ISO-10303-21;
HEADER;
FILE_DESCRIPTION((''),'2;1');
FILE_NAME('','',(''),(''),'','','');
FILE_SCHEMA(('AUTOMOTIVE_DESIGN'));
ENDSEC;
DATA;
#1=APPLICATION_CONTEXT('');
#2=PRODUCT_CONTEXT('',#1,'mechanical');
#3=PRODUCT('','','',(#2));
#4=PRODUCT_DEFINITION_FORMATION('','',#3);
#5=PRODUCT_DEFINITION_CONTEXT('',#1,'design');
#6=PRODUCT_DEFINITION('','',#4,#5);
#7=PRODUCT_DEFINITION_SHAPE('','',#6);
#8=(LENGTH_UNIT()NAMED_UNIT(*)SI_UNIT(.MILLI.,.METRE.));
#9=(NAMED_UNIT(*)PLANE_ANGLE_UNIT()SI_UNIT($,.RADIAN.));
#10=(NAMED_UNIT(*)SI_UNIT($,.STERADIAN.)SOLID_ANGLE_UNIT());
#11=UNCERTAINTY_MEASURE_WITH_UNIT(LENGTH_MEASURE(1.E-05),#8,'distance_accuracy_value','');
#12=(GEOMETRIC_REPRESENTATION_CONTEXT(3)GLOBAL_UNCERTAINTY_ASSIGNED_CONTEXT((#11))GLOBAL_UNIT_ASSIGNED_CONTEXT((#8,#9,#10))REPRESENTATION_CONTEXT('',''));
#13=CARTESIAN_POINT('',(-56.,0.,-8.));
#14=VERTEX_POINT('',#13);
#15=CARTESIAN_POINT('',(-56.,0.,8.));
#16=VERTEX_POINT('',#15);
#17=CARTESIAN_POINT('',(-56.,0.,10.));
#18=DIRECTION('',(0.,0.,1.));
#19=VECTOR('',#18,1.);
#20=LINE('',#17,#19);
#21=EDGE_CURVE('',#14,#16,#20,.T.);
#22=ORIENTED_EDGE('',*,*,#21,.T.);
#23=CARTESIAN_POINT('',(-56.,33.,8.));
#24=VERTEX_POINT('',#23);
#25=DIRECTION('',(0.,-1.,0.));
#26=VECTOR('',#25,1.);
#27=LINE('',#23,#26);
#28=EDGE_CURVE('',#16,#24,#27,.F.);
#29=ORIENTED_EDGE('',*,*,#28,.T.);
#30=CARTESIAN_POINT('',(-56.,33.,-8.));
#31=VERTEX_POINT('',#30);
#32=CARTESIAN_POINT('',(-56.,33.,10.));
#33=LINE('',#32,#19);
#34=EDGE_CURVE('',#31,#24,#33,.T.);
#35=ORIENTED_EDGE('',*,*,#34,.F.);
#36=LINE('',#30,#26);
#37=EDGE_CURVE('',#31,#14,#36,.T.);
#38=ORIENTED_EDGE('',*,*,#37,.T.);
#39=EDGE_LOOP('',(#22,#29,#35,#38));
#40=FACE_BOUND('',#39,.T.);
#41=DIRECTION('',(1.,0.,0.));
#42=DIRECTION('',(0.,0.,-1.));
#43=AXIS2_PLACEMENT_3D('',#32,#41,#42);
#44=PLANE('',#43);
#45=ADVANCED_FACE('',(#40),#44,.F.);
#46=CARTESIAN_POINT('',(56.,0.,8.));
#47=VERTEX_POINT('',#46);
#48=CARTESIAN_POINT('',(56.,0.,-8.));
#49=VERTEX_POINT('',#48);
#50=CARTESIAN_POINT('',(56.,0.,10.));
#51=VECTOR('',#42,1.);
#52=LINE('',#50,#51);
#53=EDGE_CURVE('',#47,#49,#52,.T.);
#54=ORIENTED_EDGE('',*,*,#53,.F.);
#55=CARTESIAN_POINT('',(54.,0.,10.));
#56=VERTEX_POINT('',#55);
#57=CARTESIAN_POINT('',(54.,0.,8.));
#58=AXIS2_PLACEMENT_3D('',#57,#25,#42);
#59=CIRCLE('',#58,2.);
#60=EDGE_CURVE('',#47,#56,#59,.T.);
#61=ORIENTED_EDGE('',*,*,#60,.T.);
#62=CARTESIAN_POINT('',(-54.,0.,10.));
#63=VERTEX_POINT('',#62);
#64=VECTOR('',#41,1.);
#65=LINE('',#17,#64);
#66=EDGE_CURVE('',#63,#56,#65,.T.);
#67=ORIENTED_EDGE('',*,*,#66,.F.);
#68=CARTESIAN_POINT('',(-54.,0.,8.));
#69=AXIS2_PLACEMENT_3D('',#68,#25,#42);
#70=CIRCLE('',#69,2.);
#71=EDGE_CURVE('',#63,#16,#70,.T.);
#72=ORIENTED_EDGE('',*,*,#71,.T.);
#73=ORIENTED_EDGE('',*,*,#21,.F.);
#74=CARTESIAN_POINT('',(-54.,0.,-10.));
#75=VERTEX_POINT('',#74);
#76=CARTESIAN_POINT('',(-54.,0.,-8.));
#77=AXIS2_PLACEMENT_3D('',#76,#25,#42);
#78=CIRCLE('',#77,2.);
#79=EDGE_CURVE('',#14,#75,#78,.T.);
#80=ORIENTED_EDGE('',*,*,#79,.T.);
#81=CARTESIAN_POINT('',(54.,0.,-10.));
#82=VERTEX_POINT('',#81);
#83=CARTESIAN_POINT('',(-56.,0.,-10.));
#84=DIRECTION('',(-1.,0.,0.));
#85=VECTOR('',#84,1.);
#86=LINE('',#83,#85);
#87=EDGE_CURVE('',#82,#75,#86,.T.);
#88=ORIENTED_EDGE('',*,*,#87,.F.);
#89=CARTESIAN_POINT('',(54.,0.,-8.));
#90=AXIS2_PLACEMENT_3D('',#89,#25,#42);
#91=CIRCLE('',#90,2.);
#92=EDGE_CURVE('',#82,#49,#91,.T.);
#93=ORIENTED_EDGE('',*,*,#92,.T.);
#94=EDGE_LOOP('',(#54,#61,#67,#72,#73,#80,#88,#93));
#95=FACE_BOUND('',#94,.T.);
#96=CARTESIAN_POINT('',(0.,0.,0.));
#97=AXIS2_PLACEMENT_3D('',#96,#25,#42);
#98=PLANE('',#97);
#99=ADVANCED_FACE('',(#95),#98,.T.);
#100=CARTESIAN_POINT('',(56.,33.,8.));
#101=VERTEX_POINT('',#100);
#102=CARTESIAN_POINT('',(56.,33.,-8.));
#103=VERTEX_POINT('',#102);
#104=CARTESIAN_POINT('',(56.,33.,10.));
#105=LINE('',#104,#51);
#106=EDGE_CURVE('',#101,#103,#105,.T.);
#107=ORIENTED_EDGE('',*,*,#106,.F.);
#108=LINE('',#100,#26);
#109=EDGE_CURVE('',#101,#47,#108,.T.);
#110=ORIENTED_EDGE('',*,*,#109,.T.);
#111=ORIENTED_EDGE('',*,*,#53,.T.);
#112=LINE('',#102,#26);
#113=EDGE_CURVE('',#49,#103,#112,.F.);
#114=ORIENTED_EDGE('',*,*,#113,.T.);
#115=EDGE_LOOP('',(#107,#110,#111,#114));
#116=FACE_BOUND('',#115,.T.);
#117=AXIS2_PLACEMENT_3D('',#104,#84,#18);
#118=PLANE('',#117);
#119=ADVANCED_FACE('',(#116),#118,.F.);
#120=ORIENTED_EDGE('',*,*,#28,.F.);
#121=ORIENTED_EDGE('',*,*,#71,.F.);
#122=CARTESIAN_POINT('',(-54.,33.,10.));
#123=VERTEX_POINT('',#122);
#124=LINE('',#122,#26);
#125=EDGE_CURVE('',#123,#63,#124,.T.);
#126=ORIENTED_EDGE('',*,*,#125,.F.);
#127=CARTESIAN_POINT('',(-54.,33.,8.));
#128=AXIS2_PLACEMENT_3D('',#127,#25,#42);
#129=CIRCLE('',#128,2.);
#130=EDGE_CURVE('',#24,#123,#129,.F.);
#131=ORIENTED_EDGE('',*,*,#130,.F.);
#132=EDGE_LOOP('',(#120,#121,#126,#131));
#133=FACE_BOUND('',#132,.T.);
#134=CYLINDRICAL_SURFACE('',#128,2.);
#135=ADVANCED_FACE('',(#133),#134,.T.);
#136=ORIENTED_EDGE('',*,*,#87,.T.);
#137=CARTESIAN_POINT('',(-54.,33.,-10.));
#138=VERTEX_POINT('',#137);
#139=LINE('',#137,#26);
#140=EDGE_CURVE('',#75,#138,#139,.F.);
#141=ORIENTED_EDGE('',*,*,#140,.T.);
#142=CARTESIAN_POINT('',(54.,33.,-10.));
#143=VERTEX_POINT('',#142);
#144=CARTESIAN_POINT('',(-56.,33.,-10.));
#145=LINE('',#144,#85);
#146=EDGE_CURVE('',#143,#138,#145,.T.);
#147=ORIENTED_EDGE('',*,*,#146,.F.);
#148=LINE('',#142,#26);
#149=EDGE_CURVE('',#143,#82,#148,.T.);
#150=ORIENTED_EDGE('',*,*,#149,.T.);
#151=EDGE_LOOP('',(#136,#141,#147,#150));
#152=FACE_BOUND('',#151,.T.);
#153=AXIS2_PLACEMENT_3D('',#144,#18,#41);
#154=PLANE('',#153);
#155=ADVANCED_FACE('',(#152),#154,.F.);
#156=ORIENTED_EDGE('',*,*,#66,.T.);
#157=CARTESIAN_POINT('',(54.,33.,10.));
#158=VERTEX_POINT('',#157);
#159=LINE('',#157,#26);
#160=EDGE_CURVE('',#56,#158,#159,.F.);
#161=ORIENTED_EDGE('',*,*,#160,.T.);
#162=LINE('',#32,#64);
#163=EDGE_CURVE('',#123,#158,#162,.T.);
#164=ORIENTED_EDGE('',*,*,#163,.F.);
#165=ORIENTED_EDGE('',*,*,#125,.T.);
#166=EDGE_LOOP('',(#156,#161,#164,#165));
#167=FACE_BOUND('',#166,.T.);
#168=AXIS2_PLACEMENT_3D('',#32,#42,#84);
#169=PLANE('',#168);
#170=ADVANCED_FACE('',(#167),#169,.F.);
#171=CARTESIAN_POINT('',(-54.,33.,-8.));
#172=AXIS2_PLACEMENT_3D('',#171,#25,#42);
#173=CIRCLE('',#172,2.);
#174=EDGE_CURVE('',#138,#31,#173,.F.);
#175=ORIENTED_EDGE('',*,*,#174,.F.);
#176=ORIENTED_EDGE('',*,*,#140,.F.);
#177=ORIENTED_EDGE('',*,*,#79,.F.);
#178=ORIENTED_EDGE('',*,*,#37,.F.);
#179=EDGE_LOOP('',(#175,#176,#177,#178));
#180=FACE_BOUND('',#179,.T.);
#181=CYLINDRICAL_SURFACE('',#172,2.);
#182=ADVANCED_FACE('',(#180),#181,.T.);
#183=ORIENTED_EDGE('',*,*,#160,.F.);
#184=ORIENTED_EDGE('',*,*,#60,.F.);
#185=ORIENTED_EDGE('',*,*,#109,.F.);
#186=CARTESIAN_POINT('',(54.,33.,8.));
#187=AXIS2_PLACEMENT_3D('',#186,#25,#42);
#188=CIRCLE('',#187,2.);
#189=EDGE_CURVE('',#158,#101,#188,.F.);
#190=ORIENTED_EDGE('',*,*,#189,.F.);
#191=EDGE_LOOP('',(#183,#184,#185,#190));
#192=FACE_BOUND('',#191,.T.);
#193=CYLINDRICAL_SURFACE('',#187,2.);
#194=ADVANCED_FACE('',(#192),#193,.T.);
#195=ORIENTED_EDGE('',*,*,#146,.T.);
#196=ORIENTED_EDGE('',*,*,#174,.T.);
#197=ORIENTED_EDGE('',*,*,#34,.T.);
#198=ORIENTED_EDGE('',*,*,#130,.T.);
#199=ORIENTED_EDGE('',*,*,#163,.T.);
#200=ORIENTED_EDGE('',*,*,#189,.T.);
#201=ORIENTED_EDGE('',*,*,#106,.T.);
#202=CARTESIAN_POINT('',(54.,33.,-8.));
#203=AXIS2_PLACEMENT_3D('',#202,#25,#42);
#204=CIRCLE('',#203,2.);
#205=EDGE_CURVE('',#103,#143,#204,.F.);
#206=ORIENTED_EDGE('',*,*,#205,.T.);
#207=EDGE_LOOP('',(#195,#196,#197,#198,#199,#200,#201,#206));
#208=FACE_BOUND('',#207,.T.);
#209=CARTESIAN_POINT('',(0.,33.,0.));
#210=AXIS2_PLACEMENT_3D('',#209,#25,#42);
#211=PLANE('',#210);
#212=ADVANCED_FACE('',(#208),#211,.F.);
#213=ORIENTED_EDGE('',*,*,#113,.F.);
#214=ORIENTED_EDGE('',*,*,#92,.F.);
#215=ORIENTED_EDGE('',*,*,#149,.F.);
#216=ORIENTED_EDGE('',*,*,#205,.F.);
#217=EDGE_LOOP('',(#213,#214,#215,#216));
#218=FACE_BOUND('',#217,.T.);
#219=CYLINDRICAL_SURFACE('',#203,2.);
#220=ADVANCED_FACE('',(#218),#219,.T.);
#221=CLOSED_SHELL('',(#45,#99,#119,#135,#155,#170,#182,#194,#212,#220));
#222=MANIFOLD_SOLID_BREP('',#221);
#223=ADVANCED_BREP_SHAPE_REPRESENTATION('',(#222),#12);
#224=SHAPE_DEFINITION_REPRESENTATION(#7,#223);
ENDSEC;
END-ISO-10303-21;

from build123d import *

# Parameters (mm, degrees)
SKETCH1_W           = 112
SKETCH1_H           = 20
BOSS_EXTRUDE1_DEPTH = 33
FILLET1_R           = 2


with BuildPart() as part:
    # Sketch1 → Boss-Extrude1 (new body)
    with BuildSketch(Plane(origin=(0, 0, 0), x_dir=(1, 0, 0), z_dir=(0, 1, 0))):
        Rectangle(SKETCH1_W, SKETCH1_H)
    extrude(amount=BOSS_EXTRUDE1_DEPTH)

    # Fillet1
    fillet1_edges = [part.edges().sort_by_distance(p)[0] for p in [
        (56, 16.5, 10),
        (-56, 16.5, 10),
        (-56, 16.5, -10),
        (56, 16.5, -10),
    ]]
    fillet(fillet1_edges, radius=FILLET1_R)


solid = part.part
